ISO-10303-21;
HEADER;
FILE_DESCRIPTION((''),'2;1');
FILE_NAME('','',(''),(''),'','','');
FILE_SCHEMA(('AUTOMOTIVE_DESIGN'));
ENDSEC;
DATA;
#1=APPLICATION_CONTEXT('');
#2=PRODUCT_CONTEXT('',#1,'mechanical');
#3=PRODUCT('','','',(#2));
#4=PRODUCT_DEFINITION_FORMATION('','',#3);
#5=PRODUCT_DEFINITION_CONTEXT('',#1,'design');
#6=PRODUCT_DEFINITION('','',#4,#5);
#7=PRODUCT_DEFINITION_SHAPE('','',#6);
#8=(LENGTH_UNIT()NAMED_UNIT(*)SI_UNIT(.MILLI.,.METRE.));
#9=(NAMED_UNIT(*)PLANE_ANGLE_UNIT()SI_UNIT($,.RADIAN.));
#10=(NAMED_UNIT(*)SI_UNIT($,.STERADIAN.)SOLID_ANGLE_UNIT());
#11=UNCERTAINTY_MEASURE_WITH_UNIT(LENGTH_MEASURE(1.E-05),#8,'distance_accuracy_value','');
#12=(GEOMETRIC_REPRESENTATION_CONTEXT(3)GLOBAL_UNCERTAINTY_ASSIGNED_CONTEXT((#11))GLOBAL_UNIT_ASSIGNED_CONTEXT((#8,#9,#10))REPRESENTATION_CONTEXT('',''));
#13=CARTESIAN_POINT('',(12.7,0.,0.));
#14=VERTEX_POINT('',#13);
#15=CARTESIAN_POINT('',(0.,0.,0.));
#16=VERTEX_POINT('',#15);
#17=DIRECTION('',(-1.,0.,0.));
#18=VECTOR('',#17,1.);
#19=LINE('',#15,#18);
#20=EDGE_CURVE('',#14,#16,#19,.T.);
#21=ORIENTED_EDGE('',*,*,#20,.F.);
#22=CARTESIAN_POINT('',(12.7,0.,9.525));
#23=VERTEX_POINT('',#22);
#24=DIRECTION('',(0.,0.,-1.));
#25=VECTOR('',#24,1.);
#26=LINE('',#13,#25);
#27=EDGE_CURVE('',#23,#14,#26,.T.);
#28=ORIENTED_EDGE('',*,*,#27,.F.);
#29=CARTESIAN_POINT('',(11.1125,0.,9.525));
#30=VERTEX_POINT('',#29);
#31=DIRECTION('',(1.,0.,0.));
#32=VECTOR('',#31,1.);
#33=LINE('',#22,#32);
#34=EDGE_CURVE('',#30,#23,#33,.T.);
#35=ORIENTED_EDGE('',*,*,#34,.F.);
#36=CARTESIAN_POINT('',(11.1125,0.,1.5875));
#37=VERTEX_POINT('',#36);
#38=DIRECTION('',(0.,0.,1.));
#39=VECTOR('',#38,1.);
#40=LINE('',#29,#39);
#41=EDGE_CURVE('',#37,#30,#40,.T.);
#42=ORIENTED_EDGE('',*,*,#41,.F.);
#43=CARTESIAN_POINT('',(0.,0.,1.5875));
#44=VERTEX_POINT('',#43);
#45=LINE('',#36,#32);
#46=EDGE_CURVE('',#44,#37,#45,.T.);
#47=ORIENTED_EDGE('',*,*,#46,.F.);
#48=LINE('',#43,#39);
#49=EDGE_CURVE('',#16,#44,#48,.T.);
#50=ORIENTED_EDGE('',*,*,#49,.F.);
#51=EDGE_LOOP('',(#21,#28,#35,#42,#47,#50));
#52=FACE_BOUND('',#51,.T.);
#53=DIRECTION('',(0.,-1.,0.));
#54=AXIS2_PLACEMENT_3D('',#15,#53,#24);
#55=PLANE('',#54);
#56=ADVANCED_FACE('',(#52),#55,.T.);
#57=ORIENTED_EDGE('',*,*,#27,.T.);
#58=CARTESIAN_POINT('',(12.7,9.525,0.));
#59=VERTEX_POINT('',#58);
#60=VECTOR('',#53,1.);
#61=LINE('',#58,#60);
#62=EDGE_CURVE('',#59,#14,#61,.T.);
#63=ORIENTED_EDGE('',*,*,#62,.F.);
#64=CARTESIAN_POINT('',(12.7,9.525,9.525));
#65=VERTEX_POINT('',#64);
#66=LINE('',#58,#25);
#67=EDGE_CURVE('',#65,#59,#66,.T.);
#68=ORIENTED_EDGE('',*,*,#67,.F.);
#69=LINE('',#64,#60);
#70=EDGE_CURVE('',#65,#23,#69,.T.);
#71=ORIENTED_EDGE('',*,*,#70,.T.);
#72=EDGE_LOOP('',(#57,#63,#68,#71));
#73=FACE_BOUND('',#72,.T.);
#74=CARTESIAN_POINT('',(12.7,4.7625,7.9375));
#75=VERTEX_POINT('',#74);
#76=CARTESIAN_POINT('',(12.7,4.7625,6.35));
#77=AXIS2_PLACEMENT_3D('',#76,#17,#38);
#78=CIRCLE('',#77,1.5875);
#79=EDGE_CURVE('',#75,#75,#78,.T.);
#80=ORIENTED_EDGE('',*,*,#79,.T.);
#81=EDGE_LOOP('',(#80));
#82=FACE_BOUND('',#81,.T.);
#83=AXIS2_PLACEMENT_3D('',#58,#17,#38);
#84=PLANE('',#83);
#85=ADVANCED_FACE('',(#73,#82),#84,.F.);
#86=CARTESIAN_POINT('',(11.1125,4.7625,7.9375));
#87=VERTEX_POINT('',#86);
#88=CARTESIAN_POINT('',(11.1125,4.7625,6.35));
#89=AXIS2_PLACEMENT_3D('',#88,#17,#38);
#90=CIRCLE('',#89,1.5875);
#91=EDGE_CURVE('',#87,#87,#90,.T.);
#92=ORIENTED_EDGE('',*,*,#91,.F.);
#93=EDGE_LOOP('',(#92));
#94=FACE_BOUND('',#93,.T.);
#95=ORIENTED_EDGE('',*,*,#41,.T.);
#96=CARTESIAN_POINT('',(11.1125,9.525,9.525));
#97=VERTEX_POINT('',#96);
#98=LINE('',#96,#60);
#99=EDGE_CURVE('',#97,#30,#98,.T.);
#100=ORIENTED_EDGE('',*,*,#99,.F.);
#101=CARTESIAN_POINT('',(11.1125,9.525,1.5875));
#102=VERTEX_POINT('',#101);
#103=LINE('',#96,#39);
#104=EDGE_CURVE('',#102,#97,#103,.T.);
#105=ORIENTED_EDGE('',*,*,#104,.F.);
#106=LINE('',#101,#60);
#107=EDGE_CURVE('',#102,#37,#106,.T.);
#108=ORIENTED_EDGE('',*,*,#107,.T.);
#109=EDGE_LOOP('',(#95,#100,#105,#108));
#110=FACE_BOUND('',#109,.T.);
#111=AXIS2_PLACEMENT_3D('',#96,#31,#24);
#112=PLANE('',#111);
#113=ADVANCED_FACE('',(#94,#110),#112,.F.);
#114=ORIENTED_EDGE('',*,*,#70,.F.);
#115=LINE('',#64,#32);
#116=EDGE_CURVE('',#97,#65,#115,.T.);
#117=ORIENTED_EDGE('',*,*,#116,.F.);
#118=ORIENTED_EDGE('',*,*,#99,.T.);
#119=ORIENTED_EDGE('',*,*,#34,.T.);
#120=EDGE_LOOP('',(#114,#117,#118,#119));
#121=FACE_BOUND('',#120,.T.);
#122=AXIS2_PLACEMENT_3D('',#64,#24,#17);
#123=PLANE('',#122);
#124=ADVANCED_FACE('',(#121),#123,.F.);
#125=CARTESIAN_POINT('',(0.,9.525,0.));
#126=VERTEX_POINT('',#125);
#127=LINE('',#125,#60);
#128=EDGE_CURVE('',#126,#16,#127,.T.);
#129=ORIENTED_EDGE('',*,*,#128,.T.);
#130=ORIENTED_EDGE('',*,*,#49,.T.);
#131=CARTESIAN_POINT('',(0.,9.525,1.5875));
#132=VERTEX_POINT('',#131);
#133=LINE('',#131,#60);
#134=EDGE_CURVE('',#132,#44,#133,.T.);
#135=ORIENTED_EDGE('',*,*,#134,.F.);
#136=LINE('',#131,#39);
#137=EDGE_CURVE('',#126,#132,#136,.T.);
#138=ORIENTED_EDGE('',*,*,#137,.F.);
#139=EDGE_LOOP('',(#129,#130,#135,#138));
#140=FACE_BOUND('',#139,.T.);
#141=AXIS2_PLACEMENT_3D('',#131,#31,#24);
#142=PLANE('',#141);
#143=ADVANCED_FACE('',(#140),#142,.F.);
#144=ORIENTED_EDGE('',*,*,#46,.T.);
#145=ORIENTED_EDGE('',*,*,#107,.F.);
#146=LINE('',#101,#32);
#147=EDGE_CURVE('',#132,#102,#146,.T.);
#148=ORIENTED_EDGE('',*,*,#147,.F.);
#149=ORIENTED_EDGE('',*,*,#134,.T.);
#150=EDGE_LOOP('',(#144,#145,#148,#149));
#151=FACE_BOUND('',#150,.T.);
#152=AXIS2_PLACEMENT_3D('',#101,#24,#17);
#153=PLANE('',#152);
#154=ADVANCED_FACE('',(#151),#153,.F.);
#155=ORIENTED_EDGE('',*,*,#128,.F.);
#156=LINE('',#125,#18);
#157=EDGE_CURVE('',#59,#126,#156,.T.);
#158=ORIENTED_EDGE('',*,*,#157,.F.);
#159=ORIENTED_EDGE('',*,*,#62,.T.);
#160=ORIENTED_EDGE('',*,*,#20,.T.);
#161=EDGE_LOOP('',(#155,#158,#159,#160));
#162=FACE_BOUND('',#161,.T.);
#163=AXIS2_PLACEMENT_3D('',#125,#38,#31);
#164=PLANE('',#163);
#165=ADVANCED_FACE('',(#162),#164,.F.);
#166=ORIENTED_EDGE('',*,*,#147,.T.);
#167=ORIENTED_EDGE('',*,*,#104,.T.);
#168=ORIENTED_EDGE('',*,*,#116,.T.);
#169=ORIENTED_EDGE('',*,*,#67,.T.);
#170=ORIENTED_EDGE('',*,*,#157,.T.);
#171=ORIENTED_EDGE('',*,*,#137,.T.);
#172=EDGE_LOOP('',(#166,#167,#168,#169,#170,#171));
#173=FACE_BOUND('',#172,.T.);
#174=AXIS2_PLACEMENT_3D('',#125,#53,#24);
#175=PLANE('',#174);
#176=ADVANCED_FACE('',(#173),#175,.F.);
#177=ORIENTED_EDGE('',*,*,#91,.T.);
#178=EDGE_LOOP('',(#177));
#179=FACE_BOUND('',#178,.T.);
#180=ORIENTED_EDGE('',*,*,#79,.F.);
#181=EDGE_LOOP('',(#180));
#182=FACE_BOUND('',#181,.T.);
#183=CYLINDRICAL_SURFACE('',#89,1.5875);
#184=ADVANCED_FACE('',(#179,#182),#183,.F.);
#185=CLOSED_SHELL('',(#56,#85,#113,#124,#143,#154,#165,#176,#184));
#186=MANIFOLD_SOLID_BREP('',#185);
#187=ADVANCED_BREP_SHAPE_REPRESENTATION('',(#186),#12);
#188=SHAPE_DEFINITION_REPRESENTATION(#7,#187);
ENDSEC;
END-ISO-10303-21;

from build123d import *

# Parameters (mm, degrees)
BOSS_EXTRUDE1_DEPTH          = 9.525
F_1_8_0_125_DIAMETER_HOLE1_D = 3.175


with BuildPart() as part:
    # Sketch1 → Boss-Extrude1 (new body)
    with BuildSketch(Plane(origin=(0, 0, 0), x_dir=(1, 0, 0), z_dir=(0, 1, 0))):
        Polygon((0, 0), (12.7, 0), (12.7, -9.525), (11.1125, -9.525), (11.1125, -1.5875), (0, -1.5875), align=None)
    extrude(amount=BOSS_EXTRUDE1_DEPTH)

    # 1/8 (0.125) Diameter Hole1 (through all)
    with Locations(Plane.ZY.offset(-11.1125)):
        with Locations((6.35, 4.7625)):
            Hole(F_1_8_0_125_DIAMETER_HOLE1_D / 2)


solid = part.part
